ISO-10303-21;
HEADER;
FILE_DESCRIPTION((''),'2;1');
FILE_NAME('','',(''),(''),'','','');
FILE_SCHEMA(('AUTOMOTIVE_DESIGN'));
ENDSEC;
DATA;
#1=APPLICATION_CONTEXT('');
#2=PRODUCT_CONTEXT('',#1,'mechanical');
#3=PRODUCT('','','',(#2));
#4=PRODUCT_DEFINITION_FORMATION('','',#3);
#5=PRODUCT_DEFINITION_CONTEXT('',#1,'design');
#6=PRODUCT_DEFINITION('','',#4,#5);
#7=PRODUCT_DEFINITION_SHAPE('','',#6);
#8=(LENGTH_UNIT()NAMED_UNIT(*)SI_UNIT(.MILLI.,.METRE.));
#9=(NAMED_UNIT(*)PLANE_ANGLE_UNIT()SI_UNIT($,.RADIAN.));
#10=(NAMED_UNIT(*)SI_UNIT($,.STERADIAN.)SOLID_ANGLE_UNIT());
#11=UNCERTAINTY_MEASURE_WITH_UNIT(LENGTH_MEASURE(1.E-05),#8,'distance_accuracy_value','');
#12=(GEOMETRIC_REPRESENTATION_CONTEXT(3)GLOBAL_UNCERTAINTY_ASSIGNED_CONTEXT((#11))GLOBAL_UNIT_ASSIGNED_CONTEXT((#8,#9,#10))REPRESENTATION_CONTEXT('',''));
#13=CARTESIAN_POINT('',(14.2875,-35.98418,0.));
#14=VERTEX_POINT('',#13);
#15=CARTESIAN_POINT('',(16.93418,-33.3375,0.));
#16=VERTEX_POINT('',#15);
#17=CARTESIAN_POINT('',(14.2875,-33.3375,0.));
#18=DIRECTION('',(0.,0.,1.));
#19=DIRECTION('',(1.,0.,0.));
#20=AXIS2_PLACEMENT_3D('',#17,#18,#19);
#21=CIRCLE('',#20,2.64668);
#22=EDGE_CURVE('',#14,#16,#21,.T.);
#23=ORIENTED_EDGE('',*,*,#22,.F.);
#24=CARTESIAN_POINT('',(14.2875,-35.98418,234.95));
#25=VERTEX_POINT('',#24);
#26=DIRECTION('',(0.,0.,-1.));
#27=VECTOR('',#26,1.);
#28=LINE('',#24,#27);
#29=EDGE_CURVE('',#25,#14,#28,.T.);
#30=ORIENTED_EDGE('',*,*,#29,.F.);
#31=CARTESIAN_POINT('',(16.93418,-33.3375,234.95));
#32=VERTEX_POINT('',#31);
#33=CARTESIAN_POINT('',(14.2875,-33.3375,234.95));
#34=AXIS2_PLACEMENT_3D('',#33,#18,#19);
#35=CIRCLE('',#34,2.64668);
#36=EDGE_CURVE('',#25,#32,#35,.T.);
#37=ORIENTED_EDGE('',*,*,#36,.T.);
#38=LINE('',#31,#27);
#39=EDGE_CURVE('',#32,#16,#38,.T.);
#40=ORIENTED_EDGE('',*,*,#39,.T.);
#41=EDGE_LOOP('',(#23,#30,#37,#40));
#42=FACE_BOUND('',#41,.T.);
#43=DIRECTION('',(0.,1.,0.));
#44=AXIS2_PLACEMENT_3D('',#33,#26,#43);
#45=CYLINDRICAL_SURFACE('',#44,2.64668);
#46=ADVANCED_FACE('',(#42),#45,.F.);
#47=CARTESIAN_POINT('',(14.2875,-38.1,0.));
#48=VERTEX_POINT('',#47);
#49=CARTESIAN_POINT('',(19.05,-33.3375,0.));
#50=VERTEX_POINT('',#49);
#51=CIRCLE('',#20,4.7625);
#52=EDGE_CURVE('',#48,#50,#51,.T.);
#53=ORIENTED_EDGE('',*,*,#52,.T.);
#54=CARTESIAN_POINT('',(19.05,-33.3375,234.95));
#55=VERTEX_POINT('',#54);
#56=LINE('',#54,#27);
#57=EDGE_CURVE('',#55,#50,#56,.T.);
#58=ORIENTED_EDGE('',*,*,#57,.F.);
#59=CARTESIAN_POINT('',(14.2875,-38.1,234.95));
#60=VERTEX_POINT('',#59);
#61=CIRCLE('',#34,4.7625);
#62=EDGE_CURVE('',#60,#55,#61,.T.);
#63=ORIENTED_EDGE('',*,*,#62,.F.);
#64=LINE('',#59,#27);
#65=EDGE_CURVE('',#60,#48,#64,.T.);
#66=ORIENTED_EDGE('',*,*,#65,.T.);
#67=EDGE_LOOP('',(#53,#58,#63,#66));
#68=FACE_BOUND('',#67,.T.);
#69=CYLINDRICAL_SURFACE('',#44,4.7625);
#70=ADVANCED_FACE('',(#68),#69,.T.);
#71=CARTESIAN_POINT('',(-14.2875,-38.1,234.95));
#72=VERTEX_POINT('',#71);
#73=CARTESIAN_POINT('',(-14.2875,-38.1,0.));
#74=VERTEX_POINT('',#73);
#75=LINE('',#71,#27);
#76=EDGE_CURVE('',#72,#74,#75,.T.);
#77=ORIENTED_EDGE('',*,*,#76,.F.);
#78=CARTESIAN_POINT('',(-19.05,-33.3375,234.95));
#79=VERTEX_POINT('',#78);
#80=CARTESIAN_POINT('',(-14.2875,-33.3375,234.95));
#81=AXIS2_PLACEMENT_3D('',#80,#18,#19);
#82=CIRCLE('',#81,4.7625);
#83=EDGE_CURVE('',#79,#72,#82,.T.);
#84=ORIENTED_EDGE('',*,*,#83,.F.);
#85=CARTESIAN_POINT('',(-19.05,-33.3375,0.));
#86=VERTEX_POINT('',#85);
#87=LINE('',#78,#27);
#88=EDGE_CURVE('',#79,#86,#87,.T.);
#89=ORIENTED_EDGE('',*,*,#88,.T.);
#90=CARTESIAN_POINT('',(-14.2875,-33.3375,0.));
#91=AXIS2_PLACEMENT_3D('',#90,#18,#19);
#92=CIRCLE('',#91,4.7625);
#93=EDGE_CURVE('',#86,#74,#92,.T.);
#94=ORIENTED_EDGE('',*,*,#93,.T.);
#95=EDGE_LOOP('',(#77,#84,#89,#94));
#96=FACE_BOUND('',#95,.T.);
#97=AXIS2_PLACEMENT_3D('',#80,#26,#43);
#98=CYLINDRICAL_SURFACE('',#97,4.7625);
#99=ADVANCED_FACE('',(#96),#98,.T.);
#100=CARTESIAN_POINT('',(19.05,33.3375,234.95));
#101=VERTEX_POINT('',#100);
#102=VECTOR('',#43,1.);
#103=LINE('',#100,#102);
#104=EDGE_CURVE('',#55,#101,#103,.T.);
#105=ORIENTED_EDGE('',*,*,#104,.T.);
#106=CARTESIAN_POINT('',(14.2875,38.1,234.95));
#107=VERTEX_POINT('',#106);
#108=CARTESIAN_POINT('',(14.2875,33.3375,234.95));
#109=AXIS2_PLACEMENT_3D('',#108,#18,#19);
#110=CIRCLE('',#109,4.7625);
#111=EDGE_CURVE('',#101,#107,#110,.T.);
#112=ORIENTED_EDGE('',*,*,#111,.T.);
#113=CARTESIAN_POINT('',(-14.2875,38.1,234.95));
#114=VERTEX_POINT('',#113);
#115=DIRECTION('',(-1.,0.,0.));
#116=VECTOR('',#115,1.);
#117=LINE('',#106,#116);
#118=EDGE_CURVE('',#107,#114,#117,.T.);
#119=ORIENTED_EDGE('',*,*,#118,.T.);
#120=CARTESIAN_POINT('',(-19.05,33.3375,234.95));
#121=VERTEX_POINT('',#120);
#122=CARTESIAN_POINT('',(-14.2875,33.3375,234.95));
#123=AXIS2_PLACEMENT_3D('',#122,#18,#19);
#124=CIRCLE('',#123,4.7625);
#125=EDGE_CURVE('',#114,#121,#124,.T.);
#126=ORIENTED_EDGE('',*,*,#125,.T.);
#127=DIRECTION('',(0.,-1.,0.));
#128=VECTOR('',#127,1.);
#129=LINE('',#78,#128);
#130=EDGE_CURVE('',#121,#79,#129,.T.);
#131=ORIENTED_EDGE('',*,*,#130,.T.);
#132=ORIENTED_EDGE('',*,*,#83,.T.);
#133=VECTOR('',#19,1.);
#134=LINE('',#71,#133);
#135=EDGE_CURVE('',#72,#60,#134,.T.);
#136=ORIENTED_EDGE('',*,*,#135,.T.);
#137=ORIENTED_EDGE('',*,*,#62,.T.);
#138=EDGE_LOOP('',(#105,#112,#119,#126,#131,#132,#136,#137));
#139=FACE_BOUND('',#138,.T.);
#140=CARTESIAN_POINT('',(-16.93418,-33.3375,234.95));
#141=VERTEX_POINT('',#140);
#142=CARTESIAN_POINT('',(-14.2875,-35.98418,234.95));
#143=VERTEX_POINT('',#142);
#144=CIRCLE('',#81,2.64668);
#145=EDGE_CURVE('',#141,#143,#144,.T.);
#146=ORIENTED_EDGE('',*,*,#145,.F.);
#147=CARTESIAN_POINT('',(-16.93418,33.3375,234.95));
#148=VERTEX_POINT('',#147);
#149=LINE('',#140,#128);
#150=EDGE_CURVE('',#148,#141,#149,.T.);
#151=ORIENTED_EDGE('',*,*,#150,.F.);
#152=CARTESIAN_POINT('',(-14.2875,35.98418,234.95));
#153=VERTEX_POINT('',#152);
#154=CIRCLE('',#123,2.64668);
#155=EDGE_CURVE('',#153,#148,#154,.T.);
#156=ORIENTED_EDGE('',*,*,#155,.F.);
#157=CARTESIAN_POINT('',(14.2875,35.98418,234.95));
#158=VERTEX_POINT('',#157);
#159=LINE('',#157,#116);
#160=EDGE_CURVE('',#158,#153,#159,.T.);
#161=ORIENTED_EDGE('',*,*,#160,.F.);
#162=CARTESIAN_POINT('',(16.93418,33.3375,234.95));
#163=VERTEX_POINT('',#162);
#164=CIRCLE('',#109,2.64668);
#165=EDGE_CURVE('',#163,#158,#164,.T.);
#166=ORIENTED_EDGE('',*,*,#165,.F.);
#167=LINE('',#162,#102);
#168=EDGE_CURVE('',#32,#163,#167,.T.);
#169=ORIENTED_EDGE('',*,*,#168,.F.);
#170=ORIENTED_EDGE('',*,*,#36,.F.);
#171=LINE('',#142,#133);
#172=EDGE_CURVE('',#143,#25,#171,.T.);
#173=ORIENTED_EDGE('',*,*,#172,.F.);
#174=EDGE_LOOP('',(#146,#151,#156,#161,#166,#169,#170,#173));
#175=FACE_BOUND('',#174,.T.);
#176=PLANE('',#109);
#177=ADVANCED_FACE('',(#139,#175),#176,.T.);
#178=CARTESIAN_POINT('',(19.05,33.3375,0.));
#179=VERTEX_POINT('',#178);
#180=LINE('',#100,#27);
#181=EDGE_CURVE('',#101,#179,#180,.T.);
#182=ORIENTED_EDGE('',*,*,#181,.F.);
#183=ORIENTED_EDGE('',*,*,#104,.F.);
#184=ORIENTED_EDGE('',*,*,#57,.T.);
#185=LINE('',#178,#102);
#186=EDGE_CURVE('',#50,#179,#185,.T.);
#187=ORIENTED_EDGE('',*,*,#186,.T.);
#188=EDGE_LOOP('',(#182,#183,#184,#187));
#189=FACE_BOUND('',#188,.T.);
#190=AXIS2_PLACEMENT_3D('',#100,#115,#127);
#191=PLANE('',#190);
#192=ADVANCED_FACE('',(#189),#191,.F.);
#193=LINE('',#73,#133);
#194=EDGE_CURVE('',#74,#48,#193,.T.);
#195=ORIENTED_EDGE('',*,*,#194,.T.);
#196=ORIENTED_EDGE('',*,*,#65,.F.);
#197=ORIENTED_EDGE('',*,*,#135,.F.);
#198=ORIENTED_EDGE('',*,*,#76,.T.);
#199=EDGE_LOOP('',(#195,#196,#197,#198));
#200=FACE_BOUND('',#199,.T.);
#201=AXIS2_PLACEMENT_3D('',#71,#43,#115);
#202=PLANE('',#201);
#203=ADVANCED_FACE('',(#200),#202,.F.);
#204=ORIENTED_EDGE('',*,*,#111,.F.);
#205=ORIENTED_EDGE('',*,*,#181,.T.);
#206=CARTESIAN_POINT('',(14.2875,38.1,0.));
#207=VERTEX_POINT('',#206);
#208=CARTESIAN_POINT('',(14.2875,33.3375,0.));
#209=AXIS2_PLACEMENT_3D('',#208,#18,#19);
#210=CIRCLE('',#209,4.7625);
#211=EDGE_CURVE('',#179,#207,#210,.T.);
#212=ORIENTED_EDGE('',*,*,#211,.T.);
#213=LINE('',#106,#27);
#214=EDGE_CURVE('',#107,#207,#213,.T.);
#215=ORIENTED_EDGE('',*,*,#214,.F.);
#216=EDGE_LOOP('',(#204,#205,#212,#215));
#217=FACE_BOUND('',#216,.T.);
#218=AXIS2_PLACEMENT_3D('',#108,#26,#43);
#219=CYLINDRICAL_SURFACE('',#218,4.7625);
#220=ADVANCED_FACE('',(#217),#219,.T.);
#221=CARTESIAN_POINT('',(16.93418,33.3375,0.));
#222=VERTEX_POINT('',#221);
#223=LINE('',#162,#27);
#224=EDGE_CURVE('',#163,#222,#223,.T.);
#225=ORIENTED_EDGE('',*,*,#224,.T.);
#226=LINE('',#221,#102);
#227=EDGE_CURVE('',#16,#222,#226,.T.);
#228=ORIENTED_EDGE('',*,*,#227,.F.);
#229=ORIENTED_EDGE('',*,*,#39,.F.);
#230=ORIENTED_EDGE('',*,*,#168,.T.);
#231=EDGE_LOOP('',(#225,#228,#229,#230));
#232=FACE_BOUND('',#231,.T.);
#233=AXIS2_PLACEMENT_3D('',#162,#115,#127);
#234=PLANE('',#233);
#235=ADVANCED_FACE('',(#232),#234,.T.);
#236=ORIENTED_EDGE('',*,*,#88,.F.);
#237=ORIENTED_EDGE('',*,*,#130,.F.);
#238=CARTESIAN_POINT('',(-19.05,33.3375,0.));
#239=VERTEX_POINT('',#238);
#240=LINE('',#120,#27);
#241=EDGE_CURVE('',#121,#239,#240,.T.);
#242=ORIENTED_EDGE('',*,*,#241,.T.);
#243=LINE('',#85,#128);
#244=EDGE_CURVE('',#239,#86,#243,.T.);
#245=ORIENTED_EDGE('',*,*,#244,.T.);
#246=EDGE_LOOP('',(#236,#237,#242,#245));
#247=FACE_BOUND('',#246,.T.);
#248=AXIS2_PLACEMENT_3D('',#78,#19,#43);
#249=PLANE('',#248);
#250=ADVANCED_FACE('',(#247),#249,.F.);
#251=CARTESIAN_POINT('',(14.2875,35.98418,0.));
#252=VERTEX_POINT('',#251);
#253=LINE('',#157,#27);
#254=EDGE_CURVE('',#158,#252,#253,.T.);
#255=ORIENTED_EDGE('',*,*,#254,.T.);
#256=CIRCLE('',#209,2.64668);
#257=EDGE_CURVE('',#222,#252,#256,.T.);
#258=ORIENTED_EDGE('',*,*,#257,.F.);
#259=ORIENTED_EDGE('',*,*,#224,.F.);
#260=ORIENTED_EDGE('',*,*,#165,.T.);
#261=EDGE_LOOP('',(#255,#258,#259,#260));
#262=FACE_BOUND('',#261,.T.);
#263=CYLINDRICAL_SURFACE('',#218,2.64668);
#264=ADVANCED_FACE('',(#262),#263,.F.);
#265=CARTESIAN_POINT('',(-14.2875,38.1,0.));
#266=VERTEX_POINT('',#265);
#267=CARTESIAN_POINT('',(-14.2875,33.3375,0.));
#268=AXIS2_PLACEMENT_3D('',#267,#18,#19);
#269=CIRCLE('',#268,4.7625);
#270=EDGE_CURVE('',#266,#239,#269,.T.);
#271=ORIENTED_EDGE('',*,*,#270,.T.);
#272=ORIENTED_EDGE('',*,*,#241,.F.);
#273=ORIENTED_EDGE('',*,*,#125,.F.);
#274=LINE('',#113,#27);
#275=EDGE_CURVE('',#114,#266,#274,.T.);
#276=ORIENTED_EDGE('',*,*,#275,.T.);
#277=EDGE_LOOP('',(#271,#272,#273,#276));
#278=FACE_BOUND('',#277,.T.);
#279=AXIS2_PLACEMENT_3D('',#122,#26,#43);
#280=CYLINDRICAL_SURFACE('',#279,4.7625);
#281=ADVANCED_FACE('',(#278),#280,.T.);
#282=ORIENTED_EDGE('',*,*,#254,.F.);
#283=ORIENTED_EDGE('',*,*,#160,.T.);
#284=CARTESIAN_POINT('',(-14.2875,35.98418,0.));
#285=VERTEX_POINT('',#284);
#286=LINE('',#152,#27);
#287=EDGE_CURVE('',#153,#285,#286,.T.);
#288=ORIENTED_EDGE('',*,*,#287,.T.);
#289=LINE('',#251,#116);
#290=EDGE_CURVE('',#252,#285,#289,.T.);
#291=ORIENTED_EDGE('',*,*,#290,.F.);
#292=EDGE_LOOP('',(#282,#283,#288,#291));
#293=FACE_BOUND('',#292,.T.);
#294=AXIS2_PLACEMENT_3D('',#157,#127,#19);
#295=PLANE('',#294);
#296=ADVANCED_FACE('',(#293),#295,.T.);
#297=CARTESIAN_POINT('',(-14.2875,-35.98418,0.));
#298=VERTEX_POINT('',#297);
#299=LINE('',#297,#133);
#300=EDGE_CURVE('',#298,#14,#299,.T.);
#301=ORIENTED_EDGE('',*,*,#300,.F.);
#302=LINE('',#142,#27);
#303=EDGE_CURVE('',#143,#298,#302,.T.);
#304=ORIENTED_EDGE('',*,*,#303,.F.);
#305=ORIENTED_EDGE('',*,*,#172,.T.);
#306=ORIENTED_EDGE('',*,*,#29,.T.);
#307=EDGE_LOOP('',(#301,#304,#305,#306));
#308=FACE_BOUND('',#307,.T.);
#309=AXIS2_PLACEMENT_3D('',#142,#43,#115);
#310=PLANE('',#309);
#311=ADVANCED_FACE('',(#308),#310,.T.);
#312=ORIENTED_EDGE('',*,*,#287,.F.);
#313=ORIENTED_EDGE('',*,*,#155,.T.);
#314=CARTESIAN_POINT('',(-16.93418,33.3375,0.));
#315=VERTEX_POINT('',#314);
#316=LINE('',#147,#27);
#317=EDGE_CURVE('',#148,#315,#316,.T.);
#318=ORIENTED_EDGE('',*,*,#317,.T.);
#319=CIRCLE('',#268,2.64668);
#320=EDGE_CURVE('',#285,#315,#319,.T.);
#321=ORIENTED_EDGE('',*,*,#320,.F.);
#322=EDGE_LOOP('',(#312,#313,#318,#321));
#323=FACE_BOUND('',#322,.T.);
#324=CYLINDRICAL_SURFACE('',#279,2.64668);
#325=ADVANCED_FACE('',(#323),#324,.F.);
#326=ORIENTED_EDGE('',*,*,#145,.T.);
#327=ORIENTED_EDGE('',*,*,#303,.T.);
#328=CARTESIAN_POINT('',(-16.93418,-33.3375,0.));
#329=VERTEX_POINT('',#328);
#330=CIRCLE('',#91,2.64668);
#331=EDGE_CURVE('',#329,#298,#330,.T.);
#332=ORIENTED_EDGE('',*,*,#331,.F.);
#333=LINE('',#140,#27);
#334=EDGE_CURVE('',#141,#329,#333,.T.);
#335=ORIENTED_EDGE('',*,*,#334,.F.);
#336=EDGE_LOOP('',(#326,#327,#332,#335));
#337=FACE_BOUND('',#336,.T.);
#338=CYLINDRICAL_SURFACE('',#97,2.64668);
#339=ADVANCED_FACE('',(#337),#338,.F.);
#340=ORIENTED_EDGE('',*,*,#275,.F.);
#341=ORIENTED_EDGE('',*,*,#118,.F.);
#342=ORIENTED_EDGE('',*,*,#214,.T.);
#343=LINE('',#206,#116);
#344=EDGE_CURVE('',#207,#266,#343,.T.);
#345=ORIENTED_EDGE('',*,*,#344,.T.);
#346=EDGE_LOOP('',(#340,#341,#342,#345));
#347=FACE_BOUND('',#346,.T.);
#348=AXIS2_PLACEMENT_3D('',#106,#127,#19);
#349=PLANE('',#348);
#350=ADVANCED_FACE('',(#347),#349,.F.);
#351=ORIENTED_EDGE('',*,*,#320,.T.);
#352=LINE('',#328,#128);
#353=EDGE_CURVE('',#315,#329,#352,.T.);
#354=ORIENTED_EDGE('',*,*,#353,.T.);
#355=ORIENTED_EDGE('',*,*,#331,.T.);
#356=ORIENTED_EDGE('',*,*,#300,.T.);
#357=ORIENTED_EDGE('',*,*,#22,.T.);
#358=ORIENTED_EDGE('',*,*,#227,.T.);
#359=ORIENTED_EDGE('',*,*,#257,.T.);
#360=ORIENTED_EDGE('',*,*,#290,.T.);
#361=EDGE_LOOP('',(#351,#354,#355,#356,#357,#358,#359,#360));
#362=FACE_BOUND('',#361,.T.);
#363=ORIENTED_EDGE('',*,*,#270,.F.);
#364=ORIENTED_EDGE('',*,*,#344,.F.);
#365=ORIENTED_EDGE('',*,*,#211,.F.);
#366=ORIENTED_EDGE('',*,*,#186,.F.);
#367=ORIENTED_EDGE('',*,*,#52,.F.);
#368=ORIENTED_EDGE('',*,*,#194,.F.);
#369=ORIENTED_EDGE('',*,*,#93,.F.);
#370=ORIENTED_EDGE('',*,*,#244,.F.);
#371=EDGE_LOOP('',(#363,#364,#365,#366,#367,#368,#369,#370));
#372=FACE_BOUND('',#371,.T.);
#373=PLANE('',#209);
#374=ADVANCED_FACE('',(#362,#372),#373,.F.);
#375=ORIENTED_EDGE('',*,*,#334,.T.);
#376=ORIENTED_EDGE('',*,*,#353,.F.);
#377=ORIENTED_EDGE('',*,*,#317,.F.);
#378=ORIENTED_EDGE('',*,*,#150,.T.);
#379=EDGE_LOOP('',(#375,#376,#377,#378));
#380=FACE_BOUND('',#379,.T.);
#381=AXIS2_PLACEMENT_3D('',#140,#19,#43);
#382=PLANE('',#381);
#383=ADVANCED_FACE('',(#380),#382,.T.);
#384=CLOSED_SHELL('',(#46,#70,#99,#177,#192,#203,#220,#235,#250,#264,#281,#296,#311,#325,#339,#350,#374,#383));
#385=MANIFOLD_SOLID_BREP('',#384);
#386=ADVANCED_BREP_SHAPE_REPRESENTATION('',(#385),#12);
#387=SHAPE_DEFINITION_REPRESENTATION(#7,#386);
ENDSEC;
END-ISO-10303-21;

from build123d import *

# Parameters (mm, degrees)
STRUCTURAL_MEMBER1_DEPTH = 234.95


with BuildPart() as part:
    # Sketch13 → Structural Member1 (new body)
    with BuildSketch(Plane.XY):
        with BuildLine():
            Line((-14.2875, -38.1), (14.2875, -38.1))
            ThreePointArc((14.2875, -38.1), (17.655096045, -36.705096045), (19.05, -33.3375))
            Line((19.05, -33.3375), (19.05, 33.3375))
            ThreePointArc((19.05, 33.3375), (17.655096045, 36.705096045), (14.2875, 38.1))
            Line((14.2875, 38.1), (-14.2875, 38.1))
            ThreePointArc((-14.2875, 38.1), (-17.655096045, 36.705096045), (-19.05, 33.3375))
            Line((-19.05, 33.3375), (-19.05, -33.3375))
            ThreePointArc((-19.05, -33.3375), (-17.655096045, -36.705096045), (-14.2875, -38.1))
        make_face()
        with BuildLine():
            Line((-14.2875, -35.98418), (14.2875, -35.98418))
            ThreePointArc((14.2875, -35.98418), (16.158985376, -35.208985376), (16.93418, -33.3375))
            Line((16.93418, -33.3375), (16.93418, 33.3375))
            ThreePointArc((16.93418, 33.3375), (16.158985376, 35.208985376), (14.2875, 35.98418))
            Line((14.2875, 35.98418), (-14.2875, 35.98418))
            ThreePointArc((-14.2875, 35.98418), (-16.158985376, 35.208985376), (-16.93418, 33.3375))
            Line((-16.93418, 33.3375), (-16.93418, -33.3375))
            ThreePointArc((-16.93418, -33.3375), (-16.158985376, -35.208985376), (-14.2875, -35.98418))
        make_face(mode=Mode.SUBTRACT)
    extrude(amount=STRUCTURAL_MEMBER1_DEPTH)


solid = part.part
